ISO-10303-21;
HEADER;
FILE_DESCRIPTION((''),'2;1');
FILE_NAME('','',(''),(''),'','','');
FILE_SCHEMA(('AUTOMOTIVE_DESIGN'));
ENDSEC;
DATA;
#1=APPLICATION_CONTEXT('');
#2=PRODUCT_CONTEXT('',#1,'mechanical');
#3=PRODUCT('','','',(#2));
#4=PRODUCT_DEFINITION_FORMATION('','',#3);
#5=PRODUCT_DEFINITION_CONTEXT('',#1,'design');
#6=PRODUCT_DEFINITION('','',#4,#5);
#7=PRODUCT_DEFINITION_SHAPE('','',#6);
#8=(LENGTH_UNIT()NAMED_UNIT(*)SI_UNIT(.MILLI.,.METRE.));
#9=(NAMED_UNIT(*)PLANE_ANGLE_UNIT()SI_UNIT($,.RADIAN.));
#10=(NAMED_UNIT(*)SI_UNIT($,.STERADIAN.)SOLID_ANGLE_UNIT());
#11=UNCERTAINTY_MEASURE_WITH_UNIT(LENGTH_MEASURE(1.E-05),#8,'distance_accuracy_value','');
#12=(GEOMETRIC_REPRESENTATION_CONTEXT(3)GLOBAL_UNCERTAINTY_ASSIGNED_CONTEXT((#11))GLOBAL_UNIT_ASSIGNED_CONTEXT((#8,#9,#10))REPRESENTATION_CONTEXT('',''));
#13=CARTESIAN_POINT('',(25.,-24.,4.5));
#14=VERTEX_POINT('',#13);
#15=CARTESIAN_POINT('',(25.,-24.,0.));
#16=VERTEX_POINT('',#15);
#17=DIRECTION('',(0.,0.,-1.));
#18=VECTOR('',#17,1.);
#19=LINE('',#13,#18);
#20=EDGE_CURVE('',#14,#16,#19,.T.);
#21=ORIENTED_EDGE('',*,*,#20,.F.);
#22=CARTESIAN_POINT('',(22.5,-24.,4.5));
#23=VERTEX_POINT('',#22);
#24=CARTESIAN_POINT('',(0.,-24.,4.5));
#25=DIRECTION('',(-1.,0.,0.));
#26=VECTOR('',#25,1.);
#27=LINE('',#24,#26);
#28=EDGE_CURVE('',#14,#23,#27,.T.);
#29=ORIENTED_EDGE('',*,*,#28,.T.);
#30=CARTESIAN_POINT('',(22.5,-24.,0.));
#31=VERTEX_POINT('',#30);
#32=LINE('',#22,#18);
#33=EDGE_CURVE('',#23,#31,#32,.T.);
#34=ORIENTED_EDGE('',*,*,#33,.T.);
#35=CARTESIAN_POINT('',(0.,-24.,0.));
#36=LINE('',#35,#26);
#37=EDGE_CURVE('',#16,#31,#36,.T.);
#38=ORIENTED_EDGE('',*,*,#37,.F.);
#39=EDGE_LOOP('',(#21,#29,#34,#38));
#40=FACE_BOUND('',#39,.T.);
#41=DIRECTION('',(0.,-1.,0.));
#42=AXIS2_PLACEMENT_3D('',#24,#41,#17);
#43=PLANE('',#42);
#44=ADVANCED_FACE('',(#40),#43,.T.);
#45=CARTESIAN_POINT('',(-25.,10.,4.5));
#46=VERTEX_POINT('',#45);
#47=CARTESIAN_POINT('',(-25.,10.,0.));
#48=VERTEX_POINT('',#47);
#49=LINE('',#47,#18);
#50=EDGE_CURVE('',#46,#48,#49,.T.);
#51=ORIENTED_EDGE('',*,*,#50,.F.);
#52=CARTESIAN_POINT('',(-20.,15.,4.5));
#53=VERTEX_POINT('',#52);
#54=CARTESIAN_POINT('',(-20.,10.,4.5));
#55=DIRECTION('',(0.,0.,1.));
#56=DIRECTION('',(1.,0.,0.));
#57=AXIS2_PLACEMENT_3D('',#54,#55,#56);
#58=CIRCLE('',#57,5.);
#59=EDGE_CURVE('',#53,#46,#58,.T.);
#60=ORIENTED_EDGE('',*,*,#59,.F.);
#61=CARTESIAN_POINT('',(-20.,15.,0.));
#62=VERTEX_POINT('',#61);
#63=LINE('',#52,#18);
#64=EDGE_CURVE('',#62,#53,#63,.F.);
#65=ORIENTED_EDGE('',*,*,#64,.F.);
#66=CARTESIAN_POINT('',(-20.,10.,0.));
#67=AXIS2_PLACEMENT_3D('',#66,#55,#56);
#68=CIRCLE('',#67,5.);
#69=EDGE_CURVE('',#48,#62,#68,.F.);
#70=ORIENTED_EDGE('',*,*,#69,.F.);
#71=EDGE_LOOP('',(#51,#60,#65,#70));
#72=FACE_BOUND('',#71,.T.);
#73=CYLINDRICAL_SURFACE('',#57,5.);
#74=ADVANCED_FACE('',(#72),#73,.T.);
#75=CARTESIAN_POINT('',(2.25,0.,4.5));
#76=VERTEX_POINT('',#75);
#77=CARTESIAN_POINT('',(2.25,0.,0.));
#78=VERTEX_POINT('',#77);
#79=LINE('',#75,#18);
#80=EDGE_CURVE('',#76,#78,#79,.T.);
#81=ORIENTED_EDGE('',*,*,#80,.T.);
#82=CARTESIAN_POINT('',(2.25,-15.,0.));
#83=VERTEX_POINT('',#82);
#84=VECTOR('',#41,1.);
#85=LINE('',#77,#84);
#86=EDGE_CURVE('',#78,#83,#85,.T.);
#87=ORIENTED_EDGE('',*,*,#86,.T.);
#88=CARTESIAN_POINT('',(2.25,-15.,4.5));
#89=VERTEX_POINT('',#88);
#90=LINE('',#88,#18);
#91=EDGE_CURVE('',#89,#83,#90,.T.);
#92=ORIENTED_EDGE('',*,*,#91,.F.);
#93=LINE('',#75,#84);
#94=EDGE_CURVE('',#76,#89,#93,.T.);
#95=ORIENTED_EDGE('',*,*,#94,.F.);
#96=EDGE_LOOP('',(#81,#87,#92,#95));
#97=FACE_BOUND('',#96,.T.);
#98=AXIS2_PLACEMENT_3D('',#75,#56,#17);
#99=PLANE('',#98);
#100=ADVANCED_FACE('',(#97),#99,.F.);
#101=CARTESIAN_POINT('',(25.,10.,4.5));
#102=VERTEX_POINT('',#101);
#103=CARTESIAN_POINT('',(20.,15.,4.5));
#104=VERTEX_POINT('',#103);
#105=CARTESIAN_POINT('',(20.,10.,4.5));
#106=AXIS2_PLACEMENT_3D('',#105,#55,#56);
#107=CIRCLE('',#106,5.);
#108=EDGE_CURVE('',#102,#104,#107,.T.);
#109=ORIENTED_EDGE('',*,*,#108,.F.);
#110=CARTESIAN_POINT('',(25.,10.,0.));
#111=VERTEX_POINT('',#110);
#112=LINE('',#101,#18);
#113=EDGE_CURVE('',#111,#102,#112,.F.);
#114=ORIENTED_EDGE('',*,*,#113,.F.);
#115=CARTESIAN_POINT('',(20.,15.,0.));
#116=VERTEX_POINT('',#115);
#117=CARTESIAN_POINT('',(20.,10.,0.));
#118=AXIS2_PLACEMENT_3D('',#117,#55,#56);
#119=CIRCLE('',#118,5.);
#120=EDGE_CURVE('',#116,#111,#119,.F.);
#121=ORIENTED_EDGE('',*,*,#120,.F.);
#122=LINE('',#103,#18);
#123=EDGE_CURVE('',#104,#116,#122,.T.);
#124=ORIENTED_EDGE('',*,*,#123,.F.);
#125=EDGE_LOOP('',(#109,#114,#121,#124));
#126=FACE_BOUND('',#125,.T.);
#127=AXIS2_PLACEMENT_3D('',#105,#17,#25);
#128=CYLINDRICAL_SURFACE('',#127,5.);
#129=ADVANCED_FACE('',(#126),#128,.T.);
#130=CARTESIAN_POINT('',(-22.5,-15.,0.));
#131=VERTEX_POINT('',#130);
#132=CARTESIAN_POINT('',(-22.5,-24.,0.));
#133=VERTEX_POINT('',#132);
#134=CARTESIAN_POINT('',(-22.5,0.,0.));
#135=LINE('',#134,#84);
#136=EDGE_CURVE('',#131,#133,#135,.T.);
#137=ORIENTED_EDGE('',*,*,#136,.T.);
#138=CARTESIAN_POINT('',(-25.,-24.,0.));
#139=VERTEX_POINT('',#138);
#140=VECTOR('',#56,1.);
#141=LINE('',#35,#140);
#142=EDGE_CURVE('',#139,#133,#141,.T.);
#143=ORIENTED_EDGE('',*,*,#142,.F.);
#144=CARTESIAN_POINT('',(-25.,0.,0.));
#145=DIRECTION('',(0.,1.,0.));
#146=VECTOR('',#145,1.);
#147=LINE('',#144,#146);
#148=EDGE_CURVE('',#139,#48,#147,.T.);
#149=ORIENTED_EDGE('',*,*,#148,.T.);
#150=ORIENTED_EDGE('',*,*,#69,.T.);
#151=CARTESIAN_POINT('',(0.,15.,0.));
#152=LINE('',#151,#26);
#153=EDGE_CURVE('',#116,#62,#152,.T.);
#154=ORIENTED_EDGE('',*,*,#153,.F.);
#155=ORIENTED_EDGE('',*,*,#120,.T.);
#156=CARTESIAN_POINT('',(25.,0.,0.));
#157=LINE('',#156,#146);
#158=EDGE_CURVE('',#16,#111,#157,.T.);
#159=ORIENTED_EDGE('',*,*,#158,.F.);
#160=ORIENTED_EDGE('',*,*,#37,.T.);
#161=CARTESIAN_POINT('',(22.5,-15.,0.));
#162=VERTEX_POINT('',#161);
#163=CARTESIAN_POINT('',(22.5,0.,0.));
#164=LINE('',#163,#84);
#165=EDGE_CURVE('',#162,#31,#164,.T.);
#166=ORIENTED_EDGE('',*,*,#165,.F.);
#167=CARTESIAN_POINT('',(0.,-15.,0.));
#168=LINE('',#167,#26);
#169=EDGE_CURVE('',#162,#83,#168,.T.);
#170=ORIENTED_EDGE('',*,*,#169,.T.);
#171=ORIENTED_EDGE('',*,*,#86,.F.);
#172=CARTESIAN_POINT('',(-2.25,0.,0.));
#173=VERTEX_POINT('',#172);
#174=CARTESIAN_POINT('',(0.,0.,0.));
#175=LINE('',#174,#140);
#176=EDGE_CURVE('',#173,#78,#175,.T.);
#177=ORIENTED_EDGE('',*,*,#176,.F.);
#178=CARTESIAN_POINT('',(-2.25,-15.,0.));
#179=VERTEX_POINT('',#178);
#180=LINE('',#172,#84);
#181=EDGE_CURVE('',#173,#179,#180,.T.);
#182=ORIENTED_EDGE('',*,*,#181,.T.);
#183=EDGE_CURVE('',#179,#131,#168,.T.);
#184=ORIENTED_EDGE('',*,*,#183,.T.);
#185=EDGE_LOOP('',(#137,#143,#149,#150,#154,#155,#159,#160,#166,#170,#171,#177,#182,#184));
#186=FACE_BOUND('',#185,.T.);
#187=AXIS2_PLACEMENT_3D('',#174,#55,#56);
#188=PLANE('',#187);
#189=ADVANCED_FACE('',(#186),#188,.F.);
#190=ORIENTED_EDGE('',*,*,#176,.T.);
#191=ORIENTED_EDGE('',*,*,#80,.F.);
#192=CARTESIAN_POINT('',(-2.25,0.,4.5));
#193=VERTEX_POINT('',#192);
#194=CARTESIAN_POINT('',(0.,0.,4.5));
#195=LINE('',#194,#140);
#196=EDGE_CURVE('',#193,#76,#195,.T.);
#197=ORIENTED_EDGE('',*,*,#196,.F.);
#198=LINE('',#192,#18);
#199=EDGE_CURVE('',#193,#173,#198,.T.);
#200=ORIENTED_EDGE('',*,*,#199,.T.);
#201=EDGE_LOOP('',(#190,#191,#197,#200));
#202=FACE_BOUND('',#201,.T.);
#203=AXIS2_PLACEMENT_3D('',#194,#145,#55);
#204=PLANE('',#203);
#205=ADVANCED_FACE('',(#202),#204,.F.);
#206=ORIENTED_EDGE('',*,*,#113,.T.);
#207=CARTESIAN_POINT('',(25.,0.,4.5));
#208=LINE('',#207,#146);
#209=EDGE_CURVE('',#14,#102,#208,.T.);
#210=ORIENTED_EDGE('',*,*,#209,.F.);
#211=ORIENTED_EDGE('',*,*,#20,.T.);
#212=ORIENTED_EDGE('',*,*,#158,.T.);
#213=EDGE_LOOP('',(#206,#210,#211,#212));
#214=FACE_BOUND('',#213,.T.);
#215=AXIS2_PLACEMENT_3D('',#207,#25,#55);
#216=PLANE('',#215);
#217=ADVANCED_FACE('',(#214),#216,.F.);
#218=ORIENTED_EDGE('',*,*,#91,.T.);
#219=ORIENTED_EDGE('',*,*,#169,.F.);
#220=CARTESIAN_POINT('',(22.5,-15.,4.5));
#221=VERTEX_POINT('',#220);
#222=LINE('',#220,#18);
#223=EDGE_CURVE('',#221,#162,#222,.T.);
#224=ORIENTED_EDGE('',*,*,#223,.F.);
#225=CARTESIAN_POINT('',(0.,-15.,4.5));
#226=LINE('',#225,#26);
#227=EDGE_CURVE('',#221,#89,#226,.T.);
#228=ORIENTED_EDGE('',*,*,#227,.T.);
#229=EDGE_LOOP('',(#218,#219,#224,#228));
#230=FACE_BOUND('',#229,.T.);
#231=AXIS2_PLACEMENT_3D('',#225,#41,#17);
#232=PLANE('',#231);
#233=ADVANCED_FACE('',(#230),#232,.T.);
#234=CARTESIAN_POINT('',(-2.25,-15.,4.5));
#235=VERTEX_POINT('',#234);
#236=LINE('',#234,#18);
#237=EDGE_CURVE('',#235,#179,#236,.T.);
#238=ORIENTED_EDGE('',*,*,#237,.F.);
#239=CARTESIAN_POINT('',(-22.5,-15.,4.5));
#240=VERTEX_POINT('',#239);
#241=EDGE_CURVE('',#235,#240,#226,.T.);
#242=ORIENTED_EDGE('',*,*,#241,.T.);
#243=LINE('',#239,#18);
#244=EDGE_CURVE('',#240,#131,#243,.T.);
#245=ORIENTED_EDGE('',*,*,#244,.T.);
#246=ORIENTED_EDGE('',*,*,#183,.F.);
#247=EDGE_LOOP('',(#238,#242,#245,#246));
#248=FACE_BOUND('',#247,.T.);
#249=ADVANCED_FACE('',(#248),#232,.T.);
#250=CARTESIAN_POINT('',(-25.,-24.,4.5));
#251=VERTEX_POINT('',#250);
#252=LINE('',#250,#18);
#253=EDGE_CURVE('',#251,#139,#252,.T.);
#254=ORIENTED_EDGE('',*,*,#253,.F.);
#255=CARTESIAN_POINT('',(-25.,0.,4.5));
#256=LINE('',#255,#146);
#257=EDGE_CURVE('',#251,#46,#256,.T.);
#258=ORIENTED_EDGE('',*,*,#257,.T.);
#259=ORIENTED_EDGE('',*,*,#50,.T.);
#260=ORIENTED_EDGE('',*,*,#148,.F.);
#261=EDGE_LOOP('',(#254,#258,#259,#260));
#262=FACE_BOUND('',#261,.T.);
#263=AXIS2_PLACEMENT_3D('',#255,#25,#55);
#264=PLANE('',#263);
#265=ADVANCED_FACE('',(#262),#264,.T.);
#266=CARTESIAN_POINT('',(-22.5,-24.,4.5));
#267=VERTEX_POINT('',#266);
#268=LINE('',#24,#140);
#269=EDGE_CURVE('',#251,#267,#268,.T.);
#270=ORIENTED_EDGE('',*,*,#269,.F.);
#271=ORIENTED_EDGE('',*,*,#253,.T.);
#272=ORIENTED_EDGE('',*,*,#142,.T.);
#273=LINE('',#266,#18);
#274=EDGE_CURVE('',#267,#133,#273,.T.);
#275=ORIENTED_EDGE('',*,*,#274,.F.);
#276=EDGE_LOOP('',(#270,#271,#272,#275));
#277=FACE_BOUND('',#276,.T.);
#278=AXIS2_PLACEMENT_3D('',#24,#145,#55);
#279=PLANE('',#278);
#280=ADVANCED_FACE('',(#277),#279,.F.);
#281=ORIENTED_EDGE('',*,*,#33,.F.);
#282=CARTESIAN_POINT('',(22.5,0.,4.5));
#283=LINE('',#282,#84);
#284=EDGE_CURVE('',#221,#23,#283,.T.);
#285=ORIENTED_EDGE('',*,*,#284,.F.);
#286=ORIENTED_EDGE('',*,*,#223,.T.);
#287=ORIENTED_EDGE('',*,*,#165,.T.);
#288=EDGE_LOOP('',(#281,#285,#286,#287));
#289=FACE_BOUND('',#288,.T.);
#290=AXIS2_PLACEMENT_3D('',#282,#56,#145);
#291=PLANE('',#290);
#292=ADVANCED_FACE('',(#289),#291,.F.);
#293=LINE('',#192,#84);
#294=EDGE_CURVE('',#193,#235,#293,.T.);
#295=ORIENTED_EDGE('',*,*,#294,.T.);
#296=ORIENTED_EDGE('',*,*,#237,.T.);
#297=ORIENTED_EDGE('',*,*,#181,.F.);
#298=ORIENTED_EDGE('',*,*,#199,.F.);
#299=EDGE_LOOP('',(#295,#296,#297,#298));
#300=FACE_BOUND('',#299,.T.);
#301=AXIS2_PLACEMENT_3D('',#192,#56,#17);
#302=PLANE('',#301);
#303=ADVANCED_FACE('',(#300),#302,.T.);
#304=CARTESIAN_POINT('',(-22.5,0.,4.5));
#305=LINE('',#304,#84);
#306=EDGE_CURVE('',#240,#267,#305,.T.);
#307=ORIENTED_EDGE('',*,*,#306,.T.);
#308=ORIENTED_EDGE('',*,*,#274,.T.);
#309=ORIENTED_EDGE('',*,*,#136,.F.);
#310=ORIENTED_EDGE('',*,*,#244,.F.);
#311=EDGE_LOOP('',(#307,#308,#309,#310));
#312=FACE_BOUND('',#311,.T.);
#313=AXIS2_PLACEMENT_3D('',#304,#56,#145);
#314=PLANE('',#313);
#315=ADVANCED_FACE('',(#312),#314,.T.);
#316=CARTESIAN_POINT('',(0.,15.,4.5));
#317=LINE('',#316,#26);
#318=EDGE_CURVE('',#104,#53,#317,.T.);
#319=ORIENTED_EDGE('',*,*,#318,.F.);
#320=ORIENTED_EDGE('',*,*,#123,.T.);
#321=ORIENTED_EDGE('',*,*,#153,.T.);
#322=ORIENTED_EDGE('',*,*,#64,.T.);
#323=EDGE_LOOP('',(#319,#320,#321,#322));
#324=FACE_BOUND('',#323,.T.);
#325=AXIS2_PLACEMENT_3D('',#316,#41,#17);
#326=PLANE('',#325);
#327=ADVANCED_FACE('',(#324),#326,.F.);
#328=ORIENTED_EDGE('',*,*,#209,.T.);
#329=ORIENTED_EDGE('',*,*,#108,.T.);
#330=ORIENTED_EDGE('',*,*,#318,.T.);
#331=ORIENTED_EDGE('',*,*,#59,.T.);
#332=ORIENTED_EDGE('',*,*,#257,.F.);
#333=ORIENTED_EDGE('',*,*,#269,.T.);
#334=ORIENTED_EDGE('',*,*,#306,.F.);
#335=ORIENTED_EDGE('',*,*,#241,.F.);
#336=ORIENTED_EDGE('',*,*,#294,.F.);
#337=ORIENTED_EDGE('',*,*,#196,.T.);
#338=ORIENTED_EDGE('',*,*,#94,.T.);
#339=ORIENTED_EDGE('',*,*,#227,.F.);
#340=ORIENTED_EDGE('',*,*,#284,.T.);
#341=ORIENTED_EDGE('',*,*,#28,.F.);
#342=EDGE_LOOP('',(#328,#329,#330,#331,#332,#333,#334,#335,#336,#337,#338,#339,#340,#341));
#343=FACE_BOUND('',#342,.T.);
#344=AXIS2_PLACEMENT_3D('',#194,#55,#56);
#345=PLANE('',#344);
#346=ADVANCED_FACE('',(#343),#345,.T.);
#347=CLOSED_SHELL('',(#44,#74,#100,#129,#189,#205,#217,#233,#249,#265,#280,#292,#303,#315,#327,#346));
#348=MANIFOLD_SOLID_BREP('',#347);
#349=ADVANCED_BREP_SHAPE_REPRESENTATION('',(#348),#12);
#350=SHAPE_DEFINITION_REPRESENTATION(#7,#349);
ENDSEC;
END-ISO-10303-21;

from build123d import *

# Parameters (mm, degrees)
SKETCH1_W           = 2.5
SKETCH1_H           = 9
SKETCH1_W_2         = 4.5
SKETCH1_H_2         = 15
BOSS_EXTRUDE1_DEPTH = 4.5
FILLET1_R           = 5


with BuildPart() as part:
    # Sketch1 → Boss-Extrude1 (new body)
    with BuildSketch(Plane.XY):
        Polygon((-2.25, -15), (-2.25, 0), (-2.25, 15), (-25, 15), (-25, -15), (-22.5, -15), align=None)
        Polygon((2.25, 15), (2.25, 0), (2.25, -15), (22.5, -15), (25, -15), (25, 15), align=None)
        with Locations((-23.75, -19.5)):
            Rectangle(SKETCH1_W, SKETCH1_H)
        with Locations((23.75, -19.5)):
            Rectangle(SKETCH1_W, SKETCH1_H)
        with Locations((0, 7.5)):
            Rectangle(SKETCH1_W_2, SKETCH1_H_2)
    extrude(amount=BOSS_EXTRUDE1_DEPTH)

    # Fillet1
    fillet1_edges = [part.edges().sort_by_distance(p)[0] for p in [
        (-25, 15, 2.25),
        (25, 15, 2.25),
    ]]
    fillet(fillet1_edges, radius=FILLET1_R)


solid = part.part
